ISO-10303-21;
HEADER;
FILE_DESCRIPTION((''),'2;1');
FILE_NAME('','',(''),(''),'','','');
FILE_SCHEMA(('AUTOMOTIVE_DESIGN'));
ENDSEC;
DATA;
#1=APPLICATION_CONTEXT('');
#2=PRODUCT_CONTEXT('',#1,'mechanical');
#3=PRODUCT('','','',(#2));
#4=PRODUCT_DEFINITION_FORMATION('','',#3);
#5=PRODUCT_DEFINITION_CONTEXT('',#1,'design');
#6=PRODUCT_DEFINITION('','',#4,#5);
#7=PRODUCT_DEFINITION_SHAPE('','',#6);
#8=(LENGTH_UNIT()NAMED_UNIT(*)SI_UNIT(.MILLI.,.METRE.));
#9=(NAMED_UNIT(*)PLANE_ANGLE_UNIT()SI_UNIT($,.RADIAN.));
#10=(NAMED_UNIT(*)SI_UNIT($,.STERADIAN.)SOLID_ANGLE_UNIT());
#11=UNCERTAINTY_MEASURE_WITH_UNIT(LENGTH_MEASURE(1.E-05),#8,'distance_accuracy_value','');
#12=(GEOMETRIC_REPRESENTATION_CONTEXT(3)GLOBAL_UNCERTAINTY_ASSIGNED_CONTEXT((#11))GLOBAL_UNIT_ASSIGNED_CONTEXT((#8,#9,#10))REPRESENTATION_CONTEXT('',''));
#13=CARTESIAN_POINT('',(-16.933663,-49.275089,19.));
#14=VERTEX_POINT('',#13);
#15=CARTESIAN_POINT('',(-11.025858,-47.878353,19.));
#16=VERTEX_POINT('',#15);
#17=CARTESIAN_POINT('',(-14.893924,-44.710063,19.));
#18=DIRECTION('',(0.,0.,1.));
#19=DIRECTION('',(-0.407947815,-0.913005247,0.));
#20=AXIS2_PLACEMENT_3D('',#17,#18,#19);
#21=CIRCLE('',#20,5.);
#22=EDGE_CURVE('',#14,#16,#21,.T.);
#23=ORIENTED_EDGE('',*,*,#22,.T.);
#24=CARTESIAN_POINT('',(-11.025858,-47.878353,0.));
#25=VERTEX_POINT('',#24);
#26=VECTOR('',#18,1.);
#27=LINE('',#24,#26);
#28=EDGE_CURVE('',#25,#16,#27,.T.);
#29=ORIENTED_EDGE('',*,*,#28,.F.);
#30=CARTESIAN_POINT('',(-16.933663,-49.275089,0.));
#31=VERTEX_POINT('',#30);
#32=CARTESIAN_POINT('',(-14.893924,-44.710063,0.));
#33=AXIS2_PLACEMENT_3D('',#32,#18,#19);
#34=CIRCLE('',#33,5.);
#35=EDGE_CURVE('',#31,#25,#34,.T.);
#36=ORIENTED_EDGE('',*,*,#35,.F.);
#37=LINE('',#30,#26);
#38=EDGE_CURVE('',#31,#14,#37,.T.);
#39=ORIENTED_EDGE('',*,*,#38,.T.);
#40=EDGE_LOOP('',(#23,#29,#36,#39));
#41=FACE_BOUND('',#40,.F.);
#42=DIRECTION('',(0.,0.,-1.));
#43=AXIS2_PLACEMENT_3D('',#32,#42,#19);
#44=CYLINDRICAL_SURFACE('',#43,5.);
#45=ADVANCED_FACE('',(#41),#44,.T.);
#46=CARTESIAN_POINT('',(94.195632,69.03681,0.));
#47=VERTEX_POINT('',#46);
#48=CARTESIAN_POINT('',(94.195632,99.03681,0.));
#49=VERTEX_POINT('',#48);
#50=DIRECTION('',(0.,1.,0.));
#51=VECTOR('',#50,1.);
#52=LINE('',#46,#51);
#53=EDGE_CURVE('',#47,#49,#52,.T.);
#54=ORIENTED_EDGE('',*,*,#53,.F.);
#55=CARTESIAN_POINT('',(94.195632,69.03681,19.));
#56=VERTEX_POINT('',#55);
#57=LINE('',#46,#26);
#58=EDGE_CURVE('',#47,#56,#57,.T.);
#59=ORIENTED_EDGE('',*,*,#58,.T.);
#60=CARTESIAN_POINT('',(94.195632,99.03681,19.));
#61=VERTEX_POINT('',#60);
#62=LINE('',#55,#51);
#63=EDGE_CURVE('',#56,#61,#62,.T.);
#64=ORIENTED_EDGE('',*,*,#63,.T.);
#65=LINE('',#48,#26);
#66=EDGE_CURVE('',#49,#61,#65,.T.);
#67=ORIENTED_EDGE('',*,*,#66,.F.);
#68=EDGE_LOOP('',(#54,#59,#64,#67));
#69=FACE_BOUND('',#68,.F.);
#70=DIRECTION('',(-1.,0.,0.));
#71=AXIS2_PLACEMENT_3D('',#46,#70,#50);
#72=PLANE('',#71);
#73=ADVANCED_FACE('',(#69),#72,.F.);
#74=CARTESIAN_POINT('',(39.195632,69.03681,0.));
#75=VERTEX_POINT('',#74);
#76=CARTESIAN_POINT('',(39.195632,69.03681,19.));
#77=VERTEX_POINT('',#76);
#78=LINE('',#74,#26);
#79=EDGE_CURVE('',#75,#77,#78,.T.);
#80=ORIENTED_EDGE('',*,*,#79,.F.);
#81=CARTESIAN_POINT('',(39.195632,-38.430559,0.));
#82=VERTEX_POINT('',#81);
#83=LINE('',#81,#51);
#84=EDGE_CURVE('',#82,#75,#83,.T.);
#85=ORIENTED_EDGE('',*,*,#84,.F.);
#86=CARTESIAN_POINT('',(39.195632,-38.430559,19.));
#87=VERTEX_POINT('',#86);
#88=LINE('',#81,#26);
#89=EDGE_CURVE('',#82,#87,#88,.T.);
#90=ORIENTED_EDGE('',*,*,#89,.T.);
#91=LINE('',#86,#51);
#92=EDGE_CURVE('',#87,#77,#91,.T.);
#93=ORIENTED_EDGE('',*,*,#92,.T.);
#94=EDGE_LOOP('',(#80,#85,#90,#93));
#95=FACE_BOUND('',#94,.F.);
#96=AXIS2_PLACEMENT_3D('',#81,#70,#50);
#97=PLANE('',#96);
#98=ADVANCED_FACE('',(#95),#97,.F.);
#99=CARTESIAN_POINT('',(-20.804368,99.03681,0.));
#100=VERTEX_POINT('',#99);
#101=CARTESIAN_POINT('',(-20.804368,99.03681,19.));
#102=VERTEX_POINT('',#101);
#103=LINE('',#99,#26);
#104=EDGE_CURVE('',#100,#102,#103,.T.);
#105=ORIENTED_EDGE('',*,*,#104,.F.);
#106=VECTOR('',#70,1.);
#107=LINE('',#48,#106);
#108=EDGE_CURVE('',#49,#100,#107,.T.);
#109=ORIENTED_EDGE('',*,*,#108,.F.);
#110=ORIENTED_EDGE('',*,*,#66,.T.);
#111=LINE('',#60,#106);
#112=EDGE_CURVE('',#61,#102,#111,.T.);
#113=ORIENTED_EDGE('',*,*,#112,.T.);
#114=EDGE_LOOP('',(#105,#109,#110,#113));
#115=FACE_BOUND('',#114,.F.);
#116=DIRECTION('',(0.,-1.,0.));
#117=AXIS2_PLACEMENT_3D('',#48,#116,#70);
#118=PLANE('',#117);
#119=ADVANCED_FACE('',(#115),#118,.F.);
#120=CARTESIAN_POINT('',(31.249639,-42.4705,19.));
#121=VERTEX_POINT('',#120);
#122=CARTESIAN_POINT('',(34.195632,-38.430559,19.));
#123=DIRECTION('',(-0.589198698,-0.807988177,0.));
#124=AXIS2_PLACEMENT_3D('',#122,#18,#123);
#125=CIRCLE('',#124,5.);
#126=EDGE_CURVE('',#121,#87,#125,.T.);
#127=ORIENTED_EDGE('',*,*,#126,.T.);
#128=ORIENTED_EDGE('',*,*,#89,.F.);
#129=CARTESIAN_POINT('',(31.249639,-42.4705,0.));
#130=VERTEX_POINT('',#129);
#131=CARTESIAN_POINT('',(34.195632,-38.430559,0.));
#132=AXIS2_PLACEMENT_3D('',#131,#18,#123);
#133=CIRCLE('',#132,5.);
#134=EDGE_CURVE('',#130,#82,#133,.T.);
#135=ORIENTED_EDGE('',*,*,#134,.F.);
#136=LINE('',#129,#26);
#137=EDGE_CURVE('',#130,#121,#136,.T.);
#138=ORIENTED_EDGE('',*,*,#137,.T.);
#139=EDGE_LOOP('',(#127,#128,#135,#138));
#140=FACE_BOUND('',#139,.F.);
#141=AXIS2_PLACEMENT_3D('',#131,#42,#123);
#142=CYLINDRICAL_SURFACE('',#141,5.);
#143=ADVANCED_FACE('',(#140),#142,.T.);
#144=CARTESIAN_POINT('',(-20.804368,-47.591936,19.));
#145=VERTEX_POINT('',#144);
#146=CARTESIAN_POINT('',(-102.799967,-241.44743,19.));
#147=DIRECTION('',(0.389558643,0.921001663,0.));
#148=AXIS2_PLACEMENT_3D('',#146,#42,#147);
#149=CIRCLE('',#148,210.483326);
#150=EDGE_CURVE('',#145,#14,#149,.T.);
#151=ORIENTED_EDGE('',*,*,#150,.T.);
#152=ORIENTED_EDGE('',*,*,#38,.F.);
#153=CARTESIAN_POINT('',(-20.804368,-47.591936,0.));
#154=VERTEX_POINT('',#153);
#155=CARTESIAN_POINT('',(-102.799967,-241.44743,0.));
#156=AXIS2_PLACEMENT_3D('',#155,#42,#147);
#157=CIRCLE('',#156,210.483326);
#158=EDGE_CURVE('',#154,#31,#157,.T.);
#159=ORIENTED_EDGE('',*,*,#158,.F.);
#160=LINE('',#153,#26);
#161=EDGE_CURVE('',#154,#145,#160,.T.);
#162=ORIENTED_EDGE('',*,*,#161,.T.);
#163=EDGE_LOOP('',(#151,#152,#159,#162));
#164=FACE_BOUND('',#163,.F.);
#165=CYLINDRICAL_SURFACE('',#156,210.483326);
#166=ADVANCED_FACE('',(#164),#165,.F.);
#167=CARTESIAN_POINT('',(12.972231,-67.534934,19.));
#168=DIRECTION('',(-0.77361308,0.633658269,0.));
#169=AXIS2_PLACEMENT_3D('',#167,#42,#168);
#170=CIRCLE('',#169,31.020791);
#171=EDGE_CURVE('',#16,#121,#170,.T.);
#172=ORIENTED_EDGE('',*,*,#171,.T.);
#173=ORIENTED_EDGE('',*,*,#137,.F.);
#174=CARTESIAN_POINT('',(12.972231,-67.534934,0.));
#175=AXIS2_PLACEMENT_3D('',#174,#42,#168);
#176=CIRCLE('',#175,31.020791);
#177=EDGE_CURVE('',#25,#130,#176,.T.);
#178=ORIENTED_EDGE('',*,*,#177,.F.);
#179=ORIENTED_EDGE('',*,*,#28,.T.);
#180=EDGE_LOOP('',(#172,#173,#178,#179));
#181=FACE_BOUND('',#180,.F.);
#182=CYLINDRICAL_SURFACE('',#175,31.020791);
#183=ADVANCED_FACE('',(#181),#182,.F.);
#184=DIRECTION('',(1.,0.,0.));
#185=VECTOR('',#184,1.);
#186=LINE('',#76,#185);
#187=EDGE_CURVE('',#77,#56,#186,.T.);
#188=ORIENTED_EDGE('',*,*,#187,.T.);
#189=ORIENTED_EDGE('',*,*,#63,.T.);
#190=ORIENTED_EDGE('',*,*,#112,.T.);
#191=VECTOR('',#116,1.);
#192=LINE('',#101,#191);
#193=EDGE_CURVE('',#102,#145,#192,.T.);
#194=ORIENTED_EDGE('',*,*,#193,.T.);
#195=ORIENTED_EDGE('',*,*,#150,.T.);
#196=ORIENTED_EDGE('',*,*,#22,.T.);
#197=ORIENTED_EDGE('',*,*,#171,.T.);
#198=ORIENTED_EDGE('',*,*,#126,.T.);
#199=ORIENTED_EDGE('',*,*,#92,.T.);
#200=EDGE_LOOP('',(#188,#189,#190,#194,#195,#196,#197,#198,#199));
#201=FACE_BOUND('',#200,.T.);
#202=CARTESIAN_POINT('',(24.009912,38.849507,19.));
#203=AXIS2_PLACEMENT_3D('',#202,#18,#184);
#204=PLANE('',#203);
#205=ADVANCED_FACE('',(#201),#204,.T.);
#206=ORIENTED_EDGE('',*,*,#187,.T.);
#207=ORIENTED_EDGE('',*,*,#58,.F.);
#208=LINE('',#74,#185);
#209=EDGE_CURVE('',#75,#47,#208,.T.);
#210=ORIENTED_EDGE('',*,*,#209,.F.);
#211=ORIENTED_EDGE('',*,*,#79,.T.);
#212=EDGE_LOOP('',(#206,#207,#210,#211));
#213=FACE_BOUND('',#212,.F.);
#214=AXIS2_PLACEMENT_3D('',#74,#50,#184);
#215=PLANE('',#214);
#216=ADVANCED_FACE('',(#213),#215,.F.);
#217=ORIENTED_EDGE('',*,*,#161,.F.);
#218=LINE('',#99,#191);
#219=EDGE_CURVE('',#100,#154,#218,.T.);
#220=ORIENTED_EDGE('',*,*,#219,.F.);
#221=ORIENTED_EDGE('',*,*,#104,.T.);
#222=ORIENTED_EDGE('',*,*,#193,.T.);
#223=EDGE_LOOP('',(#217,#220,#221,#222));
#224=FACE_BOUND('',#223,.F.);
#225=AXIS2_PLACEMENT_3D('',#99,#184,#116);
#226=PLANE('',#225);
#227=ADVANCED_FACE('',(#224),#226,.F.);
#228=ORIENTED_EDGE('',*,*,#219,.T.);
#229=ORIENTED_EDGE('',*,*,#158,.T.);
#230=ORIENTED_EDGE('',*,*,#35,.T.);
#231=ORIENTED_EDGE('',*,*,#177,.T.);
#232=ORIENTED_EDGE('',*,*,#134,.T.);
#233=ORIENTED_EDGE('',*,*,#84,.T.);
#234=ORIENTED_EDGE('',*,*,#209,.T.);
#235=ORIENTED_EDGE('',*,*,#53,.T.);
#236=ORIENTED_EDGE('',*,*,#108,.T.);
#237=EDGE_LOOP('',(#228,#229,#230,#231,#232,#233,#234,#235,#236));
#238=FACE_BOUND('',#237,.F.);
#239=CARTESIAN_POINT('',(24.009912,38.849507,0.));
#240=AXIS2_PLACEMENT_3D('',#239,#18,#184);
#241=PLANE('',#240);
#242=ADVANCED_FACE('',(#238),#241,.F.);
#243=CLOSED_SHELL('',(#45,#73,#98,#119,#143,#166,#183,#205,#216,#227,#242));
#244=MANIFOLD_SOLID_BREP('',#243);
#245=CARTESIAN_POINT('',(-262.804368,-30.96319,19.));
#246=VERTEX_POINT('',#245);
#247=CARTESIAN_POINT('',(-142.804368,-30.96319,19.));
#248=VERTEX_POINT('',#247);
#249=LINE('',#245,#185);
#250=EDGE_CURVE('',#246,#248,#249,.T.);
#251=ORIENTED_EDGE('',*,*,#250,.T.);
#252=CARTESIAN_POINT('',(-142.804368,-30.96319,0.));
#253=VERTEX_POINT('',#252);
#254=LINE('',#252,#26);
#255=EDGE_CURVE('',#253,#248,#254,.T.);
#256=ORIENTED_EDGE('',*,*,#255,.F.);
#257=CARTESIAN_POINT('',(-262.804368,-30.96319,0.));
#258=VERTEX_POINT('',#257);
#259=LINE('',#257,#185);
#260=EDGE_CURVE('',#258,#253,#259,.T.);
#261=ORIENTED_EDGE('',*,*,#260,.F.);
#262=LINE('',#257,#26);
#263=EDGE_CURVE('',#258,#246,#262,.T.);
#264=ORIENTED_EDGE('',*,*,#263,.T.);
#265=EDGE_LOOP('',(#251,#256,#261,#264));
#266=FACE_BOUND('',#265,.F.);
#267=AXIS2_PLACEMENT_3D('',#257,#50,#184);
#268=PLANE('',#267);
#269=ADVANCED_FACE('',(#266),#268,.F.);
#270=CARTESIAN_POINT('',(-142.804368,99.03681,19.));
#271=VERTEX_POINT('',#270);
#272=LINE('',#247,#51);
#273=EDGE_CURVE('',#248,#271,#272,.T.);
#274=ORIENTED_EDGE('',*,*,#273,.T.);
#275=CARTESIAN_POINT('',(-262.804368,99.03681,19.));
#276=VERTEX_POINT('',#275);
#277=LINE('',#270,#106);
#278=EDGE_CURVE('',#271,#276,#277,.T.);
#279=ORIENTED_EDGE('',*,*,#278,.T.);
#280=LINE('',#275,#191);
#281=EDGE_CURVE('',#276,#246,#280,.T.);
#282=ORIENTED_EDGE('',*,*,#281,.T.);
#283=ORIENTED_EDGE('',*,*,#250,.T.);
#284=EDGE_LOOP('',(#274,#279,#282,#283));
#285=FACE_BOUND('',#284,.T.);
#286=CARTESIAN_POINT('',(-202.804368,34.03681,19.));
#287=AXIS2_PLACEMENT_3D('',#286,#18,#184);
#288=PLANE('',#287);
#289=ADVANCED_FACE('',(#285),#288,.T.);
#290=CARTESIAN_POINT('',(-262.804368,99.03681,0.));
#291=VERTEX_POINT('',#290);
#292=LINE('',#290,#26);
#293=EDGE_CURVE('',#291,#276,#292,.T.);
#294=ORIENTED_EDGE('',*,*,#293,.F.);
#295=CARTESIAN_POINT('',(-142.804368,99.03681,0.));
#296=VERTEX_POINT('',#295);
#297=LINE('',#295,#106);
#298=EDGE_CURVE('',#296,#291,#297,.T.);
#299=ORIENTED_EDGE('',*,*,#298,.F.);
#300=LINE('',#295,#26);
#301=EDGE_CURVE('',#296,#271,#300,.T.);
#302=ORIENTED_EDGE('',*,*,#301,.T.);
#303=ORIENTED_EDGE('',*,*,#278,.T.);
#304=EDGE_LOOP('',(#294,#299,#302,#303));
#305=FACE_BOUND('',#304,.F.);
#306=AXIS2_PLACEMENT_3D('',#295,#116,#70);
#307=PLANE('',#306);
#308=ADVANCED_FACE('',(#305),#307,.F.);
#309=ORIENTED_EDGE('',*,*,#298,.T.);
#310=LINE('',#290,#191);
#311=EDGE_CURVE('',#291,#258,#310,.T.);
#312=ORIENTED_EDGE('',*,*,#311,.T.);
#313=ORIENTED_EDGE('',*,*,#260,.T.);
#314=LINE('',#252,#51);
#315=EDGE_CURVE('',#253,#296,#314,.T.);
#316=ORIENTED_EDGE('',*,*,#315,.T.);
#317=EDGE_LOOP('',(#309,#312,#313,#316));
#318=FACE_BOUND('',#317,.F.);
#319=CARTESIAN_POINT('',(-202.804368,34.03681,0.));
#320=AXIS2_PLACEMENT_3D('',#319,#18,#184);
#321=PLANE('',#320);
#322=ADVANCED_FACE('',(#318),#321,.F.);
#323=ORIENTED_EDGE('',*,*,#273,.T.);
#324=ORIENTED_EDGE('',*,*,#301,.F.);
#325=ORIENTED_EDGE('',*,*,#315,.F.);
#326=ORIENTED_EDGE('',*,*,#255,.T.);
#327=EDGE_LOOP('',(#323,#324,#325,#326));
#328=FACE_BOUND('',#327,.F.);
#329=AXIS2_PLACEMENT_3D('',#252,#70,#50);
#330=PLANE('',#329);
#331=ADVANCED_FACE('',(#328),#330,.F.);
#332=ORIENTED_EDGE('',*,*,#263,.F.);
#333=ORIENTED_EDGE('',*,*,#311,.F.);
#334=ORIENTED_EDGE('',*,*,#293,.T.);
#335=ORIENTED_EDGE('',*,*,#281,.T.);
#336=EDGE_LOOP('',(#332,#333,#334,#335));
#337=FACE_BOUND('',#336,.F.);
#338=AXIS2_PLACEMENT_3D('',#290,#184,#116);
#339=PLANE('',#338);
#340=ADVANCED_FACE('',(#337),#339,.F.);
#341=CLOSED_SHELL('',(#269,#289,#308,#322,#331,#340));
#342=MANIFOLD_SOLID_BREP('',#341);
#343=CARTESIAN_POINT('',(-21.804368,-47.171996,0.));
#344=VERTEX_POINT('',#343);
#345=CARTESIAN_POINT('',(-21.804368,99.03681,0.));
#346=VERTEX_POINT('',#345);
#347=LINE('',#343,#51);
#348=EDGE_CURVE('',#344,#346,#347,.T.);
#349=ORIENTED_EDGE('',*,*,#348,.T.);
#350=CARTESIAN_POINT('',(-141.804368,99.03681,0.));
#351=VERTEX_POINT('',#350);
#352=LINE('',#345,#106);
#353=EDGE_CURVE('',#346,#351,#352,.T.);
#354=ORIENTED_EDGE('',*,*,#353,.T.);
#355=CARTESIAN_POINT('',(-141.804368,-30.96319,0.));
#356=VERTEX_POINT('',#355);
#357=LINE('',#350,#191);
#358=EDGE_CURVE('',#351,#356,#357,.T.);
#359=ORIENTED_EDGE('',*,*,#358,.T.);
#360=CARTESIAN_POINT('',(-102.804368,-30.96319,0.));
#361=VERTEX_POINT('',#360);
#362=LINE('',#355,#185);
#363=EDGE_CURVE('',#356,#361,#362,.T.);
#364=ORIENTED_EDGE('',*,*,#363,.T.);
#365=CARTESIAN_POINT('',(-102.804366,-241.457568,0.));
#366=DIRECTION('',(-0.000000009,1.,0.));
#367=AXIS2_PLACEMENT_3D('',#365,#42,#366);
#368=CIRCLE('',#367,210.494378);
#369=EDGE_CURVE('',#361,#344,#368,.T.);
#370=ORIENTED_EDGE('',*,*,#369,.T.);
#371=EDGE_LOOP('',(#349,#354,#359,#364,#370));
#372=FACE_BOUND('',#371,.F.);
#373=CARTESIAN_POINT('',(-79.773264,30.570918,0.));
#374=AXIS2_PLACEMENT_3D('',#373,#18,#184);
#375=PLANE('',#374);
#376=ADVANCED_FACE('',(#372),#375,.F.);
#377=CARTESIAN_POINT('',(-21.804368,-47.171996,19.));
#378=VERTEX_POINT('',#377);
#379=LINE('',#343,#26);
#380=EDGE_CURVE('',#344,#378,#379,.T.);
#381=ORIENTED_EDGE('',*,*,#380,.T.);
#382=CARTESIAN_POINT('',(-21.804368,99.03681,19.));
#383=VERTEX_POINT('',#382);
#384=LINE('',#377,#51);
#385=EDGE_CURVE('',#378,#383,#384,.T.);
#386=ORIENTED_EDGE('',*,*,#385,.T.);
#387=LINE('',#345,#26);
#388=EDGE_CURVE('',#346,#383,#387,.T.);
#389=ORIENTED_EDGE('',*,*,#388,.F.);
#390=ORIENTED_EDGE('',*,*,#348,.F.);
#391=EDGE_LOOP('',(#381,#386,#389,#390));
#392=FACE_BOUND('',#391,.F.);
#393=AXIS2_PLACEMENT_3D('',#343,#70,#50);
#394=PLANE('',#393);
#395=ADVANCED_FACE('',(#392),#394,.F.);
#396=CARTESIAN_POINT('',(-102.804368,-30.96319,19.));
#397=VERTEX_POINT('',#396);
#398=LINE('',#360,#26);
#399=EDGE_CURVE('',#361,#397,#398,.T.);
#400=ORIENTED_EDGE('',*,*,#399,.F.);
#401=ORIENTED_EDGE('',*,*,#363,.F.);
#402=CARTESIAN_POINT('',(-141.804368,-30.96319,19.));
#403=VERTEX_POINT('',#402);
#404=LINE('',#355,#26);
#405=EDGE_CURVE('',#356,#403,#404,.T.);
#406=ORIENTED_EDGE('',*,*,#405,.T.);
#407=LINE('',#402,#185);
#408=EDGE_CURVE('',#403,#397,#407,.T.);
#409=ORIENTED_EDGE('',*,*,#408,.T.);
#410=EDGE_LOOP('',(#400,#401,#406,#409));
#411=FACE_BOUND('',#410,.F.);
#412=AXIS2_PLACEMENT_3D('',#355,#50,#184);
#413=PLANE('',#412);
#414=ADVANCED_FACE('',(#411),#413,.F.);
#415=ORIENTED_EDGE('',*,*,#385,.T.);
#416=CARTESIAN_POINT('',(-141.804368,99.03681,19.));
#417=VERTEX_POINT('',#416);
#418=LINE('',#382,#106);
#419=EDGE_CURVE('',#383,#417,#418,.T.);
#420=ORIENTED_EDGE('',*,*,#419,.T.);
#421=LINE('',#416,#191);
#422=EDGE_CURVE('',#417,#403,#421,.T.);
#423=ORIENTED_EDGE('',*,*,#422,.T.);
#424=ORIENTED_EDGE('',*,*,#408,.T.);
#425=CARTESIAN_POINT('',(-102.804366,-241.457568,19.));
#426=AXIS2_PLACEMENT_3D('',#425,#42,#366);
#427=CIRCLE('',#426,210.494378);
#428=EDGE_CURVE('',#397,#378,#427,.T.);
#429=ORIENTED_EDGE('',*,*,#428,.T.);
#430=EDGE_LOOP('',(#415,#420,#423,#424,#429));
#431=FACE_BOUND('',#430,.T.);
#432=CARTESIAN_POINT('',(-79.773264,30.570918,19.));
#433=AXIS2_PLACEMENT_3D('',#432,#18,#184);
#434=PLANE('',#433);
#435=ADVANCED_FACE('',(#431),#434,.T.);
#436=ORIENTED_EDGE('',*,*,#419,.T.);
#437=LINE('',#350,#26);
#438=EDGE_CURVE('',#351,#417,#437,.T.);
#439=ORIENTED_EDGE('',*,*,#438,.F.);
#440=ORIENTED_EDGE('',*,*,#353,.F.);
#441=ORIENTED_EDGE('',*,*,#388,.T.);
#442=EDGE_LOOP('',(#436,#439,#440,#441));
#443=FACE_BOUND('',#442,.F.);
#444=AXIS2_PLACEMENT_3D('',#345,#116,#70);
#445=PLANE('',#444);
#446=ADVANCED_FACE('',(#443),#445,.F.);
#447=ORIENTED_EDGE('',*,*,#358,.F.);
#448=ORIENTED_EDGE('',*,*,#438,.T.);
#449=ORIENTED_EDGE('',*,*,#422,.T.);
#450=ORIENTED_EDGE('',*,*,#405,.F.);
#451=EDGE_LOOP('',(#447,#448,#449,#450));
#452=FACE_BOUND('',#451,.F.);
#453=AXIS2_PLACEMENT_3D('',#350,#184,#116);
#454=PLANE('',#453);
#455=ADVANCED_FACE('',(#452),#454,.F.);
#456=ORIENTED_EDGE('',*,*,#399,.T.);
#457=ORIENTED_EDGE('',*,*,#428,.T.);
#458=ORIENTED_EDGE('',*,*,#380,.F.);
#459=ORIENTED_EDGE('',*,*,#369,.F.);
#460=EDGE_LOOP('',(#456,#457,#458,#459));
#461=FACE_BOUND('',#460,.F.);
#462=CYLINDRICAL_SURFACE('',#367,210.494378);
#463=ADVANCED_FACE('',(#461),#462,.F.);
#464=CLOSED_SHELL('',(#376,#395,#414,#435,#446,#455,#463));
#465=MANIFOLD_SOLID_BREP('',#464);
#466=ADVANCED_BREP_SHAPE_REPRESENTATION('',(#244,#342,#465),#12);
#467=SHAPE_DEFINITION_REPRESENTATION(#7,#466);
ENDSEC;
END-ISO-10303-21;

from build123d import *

# Parameters (mm, degrees)
F1_DEPTH = 19


with BuildPart() as f1:
    # F0 (on Top) → F1 (new body)
    with BuildSketch(Plane.XY):
        Polygon((-147.436856, 99.03681), (-262.804368, 99.03681), (-262.804368, -30.96319), (-142.804368, -30.96319), (-142.804368, 99.03681), (-146.42158, 99.03681), align=None)
        with BuildLine():
            Line((-141.804368, 99.03681), (-141.804368, -30.96319))
            Line((-141.804368, -30.96319), (-102.804368, -30.96319))
            ThreePointArc((-102.804368, -30.96319), (-61.501446, -35.055165), (-21.804368, -47.171996))
            Line((-21.804368, -47.171996), (-21.804368, 99.03681))
            Line((-21.804368, 99.03681), (-40.784542, 99.03681))
            Line((-40.784542, 99.03681), (-141.804368, 99.03681))
        make_face()
        with BuildLine():
            Line((-20.804368, 99.03681), (-20.804368, -47.591936))
            ThreePointArc((-20.804368, -47.591936), (-18.864796, -48.42381), (-16.933663, -49.275089))
            ThreePointArc((-16.933663, -49.275089), (-13.743527, -49.575922), (-11.025858, -47.878353))
            ThreePointArc((-11.025858, -47.878353), (9.036146, -36.764872), (31.249639, -42.4705))
            ThreePointArc((31.249639, -42.4705), (36.46169, -42.887574), (39.195632, -38.430559))
            Line((39.195632, -38.430559), (39.195632, 69.03681))
            Line((39.195632, 69.03681), (94.195632, 69.03681))
            Line((94.195632, 69.03681), (94.195632, 99.03681))
            Line((94.195632, 99.03681), (-20.804368, 99.03681))
        make_face()
    extrude(amount=F1_DEPTH)


solid = f1.part
